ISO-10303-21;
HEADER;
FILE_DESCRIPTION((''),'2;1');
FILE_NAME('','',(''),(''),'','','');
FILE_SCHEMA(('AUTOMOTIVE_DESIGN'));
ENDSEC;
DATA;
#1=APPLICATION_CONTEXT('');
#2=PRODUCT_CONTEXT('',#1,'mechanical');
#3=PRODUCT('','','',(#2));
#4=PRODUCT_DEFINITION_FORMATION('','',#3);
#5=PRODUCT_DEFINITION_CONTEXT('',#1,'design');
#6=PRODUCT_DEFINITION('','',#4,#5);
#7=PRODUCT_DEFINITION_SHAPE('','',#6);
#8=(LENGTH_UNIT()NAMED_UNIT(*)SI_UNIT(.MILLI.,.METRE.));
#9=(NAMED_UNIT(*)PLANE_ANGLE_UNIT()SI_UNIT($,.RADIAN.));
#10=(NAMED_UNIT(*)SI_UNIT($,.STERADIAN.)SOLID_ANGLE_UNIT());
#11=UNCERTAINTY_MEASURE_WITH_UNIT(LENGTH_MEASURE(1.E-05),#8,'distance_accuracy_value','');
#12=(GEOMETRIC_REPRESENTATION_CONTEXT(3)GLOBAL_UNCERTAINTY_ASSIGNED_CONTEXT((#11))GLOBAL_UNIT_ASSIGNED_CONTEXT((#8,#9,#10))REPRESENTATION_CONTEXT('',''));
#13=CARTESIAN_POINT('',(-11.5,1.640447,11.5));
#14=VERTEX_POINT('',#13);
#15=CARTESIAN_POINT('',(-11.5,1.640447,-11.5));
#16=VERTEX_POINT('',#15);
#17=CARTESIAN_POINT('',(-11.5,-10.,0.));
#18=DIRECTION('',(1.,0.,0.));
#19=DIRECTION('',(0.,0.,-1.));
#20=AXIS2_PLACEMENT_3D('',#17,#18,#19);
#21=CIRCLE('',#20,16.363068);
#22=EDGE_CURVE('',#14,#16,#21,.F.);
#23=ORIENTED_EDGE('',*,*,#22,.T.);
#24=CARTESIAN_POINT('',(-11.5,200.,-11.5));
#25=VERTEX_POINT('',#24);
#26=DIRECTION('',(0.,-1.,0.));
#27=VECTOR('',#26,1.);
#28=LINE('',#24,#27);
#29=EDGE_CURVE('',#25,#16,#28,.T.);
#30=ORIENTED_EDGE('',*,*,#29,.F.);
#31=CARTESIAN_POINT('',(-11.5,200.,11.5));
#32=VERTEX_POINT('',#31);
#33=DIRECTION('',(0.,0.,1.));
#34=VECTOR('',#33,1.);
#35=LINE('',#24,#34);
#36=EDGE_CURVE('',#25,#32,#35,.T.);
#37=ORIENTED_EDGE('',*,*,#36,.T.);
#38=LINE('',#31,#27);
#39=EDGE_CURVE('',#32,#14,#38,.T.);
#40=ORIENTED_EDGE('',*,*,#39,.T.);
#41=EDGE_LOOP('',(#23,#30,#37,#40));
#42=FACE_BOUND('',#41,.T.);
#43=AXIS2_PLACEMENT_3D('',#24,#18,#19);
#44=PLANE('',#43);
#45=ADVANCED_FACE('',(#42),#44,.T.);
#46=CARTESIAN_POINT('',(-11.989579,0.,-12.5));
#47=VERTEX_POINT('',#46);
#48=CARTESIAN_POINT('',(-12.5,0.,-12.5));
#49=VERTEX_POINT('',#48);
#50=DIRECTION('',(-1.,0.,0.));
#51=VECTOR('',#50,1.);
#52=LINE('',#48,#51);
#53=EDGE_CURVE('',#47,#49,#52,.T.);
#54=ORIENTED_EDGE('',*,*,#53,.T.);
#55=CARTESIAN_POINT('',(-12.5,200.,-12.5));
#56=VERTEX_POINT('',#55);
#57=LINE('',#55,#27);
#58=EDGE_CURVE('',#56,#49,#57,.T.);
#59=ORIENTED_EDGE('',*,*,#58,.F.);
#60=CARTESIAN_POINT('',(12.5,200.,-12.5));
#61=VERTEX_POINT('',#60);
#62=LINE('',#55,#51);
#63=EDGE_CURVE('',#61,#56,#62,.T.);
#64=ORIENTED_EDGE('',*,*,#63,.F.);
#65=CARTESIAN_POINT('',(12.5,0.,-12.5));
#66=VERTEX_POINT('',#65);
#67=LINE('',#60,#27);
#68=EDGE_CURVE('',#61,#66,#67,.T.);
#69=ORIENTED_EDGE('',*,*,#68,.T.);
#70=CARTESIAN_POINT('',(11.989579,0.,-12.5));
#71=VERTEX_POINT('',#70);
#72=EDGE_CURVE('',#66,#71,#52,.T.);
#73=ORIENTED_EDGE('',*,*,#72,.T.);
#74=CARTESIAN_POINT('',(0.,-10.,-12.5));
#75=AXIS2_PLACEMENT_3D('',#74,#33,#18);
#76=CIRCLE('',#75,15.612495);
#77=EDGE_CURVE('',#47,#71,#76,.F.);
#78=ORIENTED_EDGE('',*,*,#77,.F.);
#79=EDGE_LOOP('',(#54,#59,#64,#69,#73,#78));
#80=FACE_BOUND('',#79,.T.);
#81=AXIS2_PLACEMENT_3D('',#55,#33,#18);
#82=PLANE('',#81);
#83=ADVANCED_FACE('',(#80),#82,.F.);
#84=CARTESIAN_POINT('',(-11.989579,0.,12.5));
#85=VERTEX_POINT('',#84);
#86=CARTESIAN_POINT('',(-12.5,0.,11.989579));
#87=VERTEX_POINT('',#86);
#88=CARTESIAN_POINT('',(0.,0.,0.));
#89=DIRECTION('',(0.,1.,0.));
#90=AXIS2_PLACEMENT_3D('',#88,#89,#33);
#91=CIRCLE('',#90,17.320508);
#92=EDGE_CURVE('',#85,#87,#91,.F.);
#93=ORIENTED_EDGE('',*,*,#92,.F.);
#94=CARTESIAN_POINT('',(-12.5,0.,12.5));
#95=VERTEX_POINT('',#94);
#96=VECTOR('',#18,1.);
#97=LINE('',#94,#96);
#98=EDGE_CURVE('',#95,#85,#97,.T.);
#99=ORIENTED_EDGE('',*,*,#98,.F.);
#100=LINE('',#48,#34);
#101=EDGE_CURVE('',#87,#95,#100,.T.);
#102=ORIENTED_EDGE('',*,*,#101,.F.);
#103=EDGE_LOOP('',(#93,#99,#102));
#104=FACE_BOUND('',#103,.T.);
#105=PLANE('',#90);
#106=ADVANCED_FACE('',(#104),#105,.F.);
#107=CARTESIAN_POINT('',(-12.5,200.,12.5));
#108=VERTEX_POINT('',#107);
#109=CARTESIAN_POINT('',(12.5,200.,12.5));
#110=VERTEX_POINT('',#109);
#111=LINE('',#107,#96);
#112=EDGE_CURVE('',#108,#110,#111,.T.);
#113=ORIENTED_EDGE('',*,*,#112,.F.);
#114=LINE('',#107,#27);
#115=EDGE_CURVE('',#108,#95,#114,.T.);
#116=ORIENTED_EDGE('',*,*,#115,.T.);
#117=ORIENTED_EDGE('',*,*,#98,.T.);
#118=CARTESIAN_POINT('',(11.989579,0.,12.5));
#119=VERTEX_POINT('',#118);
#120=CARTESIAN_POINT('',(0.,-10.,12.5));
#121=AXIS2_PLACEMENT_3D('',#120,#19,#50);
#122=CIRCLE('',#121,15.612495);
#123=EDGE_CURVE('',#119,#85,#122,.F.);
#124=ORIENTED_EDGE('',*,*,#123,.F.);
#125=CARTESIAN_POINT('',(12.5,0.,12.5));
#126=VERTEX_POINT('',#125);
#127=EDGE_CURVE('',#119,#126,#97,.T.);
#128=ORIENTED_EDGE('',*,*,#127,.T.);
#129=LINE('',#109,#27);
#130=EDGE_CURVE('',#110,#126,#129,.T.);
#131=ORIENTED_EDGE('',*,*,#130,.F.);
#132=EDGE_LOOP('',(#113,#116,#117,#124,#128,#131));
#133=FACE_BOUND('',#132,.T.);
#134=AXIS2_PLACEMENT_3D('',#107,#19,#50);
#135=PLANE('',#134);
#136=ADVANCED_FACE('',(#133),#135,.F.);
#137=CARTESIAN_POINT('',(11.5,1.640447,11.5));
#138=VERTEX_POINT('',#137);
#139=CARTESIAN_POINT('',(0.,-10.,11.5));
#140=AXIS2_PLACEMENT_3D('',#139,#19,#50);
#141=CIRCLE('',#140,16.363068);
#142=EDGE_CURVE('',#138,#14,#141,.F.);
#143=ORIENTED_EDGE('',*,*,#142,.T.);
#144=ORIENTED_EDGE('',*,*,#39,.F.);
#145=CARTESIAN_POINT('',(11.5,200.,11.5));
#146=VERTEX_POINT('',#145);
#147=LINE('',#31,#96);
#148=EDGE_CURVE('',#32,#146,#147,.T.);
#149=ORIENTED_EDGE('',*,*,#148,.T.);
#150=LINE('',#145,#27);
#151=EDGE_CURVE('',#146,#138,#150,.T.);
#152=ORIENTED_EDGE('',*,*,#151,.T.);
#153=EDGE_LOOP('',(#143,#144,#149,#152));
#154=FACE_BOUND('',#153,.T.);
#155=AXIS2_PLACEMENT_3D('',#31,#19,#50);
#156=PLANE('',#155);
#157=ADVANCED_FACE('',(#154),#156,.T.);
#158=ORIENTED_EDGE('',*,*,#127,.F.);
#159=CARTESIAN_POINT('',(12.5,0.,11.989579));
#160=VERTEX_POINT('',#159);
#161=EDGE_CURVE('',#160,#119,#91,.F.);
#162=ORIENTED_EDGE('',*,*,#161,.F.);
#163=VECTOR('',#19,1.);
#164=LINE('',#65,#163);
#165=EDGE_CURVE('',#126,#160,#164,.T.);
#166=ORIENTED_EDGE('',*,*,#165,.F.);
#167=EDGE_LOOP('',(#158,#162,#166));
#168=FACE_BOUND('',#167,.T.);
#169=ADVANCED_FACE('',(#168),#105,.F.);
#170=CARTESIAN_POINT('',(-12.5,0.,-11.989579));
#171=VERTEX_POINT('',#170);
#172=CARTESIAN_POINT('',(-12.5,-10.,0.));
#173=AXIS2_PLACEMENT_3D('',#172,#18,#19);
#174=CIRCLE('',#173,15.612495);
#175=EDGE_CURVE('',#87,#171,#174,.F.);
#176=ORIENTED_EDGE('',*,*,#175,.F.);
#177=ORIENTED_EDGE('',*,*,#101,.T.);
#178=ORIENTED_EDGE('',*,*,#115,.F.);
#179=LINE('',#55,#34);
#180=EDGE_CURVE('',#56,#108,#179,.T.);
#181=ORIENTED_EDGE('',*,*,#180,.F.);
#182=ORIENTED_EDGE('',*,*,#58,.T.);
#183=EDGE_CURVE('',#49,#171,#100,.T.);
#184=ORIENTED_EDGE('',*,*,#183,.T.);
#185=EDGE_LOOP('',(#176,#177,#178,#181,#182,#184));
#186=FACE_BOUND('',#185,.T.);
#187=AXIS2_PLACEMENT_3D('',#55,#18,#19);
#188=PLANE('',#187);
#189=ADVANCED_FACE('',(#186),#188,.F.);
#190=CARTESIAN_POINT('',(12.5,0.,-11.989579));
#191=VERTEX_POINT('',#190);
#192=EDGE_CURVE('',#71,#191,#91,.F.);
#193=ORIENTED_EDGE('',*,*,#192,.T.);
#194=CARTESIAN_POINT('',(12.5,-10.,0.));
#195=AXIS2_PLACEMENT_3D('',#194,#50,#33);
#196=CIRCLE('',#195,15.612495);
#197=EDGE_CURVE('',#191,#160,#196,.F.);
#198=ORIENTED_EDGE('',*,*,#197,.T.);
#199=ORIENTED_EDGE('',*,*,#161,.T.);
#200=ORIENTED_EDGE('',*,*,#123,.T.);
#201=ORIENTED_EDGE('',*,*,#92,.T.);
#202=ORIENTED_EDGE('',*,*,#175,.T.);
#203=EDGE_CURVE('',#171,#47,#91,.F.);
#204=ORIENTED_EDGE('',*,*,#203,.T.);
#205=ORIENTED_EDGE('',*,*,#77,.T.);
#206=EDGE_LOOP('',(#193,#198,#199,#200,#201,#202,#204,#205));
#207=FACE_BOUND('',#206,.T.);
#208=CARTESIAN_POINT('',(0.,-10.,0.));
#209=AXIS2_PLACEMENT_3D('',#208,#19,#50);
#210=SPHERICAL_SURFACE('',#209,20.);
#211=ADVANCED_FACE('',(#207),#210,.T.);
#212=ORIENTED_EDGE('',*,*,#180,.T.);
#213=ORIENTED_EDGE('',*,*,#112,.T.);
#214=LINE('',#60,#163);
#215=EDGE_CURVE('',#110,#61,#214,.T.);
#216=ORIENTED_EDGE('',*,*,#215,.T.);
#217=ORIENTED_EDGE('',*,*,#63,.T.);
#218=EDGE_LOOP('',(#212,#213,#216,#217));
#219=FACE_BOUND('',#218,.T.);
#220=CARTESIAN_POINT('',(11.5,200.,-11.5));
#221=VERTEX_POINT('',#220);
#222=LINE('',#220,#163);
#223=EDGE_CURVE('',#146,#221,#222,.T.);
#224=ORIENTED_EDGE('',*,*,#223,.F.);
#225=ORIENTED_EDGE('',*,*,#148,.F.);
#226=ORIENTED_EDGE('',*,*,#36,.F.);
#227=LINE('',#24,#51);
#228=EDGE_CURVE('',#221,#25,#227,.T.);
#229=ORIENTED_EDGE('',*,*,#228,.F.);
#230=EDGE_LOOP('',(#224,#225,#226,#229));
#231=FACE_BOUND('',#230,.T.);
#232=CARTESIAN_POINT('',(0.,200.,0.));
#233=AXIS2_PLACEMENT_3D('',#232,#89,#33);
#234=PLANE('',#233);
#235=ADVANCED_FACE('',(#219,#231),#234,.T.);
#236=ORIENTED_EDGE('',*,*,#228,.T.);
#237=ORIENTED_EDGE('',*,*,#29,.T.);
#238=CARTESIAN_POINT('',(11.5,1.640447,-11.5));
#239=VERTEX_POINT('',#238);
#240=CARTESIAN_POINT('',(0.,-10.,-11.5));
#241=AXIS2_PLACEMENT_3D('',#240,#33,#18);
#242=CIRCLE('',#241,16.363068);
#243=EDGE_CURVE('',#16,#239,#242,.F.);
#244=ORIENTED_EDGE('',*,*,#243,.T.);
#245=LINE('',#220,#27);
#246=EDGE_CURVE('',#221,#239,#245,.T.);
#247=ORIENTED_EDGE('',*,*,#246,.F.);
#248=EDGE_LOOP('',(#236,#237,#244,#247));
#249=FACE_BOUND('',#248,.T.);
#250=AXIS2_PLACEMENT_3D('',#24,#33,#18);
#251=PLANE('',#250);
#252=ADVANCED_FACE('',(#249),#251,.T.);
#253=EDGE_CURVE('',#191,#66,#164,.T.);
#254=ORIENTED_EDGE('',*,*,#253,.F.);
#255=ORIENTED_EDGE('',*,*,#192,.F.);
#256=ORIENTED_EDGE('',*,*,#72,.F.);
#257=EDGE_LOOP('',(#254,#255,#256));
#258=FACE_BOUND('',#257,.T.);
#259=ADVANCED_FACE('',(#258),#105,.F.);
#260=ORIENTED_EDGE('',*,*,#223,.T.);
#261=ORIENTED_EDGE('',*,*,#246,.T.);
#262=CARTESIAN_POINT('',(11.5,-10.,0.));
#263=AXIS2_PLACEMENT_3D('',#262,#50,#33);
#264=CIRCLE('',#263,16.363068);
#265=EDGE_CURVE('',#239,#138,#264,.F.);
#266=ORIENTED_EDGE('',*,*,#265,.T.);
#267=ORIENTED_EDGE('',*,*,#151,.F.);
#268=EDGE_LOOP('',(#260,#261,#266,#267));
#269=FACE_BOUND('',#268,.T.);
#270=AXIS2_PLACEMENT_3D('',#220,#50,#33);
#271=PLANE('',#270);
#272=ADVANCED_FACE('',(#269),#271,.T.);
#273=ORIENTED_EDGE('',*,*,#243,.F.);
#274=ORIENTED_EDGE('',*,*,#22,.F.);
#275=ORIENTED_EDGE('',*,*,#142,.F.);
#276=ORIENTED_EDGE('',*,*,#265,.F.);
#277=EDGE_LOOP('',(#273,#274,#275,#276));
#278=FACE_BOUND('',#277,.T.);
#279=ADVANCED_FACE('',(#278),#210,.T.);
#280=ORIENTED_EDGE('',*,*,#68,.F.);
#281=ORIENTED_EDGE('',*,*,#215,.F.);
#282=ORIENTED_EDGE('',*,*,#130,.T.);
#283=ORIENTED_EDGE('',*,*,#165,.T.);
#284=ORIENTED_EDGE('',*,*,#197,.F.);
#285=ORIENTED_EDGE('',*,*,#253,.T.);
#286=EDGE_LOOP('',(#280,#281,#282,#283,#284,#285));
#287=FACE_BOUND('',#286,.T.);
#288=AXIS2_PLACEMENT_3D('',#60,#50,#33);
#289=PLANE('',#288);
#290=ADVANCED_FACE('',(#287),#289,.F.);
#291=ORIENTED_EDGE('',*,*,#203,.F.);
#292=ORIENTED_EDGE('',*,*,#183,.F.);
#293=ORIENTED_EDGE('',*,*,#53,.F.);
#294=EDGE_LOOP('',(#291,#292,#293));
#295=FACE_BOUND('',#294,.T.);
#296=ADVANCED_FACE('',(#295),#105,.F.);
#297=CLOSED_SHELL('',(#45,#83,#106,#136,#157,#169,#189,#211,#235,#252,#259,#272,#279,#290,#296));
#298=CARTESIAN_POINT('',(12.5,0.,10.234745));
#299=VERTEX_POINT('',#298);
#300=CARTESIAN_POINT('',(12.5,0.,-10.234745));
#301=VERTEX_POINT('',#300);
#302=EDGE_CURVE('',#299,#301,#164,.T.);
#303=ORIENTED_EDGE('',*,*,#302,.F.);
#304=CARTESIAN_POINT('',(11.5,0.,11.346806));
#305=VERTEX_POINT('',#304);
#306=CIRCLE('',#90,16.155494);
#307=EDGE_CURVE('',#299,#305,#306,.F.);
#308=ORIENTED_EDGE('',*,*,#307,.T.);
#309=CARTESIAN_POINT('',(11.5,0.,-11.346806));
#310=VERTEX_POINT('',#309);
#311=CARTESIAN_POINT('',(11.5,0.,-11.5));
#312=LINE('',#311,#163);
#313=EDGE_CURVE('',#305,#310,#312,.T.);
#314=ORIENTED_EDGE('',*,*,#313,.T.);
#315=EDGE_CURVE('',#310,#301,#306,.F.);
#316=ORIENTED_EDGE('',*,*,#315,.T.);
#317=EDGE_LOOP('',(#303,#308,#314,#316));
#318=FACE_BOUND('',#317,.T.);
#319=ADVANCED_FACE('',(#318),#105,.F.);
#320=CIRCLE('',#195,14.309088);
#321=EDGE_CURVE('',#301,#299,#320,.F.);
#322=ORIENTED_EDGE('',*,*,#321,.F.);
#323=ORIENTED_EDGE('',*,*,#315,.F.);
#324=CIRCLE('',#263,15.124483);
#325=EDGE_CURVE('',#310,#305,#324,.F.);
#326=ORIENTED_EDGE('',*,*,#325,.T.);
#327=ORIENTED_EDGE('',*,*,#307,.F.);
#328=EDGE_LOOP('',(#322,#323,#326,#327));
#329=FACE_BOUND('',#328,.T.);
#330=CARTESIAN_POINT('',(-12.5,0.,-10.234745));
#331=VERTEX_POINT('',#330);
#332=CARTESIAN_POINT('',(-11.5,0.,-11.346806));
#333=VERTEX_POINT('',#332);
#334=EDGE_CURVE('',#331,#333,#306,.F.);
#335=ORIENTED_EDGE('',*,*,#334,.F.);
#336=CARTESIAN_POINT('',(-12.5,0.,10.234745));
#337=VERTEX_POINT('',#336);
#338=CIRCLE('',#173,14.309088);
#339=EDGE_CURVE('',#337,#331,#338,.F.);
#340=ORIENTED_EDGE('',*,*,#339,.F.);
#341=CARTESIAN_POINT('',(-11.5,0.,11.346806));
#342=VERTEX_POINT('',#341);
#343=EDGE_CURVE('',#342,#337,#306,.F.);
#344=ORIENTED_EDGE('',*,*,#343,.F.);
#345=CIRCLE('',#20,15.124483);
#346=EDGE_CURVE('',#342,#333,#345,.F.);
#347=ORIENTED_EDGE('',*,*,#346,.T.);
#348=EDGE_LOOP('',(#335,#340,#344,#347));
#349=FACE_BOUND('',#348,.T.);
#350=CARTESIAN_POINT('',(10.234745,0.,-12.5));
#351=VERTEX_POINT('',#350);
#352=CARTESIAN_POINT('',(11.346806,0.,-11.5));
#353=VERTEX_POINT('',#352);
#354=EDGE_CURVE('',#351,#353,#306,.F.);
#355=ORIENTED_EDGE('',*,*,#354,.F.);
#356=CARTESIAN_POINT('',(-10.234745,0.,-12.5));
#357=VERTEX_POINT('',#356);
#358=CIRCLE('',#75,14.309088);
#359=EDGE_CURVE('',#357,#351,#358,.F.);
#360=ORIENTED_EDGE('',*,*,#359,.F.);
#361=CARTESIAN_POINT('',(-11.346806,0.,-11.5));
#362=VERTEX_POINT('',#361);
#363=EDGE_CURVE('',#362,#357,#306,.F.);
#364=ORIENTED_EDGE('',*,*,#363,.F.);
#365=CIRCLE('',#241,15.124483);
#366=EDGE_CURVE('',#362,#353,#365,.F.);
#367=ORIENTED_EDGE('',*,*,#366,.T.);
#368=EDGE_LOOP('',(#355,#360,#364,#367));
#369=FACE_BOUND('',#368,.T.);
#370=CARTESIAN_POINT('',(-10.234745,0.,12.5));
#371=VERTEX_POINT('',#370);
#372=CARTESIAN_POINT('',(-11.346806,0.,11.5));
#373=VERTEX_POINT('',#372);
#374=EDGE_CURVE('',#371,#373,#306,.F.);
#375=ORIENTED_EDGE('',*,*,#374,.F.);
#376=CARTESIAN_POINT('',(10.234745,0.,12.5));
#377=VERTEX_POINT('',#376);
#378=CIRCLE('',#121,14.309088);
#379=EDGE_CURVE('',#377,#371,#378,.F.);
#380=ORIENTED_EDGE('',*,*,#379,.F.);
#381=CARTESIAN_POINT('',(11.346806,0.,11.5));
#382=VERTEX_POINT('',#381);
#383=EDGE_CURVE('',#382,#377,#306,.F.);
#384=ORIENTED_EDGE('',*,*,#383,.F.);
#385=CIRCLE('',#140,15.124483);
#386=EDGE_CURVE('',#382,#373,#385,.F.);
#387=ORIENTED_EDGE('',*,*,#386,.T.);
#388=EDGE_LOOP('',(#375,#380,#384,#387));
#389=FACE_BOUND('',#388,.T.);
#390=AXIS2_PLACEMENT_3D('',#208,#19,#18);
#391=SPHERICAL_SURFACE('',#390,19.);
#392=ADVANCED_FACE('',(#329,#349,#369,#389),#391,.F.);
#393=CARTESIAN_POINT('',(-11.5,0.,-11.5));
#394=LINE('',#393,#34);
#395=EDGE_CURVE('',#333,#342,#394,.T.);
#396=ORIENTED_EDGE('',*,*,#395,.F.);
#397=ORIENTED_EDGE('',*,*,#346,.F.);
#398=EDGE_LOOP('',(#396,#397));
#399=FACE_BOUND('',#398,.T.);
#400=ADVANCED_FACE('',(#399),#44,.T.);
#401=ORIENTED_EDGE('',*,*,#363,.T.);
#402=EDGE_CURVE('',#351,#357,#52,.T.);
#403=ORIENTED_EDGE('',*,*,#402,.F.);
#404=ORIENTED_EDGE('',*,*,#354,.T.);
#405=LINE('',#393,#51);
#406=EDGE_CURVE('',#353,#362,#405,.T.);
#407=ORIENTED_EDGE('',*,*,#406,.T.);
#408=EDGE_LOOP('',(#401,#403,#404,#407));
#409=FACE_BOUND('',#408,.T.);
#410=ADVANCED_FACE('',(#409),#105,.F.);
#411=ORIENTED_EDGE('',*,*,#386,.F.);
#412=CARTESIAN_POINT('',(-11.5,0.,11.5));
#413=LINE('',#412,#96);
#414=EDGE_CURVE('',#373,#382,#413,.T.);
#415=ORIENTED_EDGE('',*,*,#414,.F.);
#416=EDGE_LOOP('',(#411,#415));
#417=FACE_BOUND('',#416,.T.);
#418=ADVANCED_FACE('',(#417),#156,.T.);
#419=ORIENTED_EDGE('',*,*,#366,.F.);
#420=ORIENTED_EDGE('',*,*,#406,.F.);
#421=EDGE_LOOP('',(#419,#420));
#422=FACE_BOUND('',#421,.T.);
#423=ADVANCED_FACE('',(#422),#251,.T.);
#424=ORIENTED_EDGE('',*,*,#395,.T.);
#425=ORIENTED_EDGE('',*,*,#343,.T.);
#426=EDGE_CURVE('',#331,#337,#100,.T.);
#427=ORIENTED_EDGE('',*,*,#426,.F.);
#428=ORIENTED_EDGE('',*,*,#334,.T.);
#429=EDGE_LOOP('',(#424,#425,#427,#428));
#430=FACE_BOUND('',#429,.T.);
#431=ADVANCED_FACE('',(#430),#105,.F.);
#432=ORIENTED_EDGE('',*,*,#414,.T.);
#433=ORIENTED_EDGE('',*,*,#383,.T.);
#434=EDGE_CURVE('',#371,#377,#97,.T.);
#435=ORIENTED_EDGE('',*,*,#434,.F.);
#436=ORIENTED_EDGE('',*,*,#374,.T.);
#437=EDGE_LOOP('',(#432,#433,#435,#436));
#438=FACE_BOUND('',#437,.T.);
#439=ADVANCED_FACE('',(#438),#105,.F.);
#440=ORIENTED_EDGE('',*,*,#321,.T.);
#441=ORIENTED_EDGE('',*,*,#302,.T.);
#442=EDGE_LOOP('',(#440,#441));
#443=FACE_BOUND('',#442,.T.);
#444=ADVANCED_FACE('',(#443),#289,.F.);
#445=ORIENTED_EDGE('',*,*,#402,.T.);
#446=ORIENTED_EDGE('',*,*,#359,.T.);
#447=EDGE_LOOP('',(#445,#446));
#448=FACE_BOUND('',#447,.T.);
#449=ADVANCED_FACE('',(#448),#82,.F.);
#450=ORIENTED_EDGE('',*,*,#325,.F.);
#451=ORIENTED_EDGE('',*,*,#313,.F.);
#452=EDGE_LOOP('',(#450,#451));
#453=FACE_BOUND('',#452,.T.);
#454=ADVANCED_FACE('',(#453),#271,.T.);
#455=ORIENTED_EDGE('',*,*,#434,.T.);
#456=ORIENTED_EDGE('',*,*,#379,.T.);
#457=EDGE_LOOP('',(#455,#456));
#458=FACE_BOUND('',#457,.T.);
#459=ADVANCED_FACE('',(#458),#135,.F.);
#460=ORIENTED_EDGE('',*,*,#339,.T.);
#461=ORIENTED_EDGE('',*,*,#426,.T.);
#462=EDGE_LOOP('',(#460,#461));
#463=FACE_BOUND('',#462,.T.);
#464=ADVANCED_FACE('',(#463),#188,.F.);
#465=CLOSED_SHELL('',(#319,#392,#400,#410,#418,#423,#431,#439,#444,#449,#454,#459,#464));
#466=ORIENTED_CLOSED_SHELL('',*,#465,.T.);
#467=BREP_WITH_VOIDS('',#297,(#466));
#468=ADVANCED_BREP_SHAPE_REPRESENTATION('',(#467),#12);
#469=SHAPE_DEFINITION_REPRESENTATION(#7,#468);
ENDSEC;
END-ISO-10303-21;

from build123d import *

# Parameters (mm, degrees)
SKETCH1_W           = 25
SKETCH1_H           = 25
SKETCH1_W_2         = 23
SKETCH1_H_2         = 23
BOSS_EXTRUDE1_DEPTH = 200


with BuildPart() as part:
    # Sketch1 → Boss-Extrude1 (new body)
    with BuildSketch(Plane(origin=(0, 0, 0), x_dir=(1, 0, 0), z_dir=(0, 1, 0))):
        Rectangle(SKETCH1_W, SKETCH1_H)
        Rectangle(SKETCH1_W_2, SKETCH1_H_2, mode=Mode.SUBTRACT)
    extrude(amount=BOSS_EXTRUDE1_DEPTH)

    # Sketch2 → Revolve1 (revolve)
    with BuildSketch(Plane(origin=(0, -10, 0), x_dir=(-1, 0, 0), z_dir=(0, -1, 0))):
        with BuildLine():
            Line((0, 19), (0, 20))
            ThreePointArc((0, 20), (-20, 0), (0, -20))
            Line((0, -20), (0, -19))
            ThreePointArc((0, -19), (-19, 0), (0, 19))
        make_face()
    revolve(axis=Axis((0, -10, -20), (0, 0, 1)))


solid = part.part
